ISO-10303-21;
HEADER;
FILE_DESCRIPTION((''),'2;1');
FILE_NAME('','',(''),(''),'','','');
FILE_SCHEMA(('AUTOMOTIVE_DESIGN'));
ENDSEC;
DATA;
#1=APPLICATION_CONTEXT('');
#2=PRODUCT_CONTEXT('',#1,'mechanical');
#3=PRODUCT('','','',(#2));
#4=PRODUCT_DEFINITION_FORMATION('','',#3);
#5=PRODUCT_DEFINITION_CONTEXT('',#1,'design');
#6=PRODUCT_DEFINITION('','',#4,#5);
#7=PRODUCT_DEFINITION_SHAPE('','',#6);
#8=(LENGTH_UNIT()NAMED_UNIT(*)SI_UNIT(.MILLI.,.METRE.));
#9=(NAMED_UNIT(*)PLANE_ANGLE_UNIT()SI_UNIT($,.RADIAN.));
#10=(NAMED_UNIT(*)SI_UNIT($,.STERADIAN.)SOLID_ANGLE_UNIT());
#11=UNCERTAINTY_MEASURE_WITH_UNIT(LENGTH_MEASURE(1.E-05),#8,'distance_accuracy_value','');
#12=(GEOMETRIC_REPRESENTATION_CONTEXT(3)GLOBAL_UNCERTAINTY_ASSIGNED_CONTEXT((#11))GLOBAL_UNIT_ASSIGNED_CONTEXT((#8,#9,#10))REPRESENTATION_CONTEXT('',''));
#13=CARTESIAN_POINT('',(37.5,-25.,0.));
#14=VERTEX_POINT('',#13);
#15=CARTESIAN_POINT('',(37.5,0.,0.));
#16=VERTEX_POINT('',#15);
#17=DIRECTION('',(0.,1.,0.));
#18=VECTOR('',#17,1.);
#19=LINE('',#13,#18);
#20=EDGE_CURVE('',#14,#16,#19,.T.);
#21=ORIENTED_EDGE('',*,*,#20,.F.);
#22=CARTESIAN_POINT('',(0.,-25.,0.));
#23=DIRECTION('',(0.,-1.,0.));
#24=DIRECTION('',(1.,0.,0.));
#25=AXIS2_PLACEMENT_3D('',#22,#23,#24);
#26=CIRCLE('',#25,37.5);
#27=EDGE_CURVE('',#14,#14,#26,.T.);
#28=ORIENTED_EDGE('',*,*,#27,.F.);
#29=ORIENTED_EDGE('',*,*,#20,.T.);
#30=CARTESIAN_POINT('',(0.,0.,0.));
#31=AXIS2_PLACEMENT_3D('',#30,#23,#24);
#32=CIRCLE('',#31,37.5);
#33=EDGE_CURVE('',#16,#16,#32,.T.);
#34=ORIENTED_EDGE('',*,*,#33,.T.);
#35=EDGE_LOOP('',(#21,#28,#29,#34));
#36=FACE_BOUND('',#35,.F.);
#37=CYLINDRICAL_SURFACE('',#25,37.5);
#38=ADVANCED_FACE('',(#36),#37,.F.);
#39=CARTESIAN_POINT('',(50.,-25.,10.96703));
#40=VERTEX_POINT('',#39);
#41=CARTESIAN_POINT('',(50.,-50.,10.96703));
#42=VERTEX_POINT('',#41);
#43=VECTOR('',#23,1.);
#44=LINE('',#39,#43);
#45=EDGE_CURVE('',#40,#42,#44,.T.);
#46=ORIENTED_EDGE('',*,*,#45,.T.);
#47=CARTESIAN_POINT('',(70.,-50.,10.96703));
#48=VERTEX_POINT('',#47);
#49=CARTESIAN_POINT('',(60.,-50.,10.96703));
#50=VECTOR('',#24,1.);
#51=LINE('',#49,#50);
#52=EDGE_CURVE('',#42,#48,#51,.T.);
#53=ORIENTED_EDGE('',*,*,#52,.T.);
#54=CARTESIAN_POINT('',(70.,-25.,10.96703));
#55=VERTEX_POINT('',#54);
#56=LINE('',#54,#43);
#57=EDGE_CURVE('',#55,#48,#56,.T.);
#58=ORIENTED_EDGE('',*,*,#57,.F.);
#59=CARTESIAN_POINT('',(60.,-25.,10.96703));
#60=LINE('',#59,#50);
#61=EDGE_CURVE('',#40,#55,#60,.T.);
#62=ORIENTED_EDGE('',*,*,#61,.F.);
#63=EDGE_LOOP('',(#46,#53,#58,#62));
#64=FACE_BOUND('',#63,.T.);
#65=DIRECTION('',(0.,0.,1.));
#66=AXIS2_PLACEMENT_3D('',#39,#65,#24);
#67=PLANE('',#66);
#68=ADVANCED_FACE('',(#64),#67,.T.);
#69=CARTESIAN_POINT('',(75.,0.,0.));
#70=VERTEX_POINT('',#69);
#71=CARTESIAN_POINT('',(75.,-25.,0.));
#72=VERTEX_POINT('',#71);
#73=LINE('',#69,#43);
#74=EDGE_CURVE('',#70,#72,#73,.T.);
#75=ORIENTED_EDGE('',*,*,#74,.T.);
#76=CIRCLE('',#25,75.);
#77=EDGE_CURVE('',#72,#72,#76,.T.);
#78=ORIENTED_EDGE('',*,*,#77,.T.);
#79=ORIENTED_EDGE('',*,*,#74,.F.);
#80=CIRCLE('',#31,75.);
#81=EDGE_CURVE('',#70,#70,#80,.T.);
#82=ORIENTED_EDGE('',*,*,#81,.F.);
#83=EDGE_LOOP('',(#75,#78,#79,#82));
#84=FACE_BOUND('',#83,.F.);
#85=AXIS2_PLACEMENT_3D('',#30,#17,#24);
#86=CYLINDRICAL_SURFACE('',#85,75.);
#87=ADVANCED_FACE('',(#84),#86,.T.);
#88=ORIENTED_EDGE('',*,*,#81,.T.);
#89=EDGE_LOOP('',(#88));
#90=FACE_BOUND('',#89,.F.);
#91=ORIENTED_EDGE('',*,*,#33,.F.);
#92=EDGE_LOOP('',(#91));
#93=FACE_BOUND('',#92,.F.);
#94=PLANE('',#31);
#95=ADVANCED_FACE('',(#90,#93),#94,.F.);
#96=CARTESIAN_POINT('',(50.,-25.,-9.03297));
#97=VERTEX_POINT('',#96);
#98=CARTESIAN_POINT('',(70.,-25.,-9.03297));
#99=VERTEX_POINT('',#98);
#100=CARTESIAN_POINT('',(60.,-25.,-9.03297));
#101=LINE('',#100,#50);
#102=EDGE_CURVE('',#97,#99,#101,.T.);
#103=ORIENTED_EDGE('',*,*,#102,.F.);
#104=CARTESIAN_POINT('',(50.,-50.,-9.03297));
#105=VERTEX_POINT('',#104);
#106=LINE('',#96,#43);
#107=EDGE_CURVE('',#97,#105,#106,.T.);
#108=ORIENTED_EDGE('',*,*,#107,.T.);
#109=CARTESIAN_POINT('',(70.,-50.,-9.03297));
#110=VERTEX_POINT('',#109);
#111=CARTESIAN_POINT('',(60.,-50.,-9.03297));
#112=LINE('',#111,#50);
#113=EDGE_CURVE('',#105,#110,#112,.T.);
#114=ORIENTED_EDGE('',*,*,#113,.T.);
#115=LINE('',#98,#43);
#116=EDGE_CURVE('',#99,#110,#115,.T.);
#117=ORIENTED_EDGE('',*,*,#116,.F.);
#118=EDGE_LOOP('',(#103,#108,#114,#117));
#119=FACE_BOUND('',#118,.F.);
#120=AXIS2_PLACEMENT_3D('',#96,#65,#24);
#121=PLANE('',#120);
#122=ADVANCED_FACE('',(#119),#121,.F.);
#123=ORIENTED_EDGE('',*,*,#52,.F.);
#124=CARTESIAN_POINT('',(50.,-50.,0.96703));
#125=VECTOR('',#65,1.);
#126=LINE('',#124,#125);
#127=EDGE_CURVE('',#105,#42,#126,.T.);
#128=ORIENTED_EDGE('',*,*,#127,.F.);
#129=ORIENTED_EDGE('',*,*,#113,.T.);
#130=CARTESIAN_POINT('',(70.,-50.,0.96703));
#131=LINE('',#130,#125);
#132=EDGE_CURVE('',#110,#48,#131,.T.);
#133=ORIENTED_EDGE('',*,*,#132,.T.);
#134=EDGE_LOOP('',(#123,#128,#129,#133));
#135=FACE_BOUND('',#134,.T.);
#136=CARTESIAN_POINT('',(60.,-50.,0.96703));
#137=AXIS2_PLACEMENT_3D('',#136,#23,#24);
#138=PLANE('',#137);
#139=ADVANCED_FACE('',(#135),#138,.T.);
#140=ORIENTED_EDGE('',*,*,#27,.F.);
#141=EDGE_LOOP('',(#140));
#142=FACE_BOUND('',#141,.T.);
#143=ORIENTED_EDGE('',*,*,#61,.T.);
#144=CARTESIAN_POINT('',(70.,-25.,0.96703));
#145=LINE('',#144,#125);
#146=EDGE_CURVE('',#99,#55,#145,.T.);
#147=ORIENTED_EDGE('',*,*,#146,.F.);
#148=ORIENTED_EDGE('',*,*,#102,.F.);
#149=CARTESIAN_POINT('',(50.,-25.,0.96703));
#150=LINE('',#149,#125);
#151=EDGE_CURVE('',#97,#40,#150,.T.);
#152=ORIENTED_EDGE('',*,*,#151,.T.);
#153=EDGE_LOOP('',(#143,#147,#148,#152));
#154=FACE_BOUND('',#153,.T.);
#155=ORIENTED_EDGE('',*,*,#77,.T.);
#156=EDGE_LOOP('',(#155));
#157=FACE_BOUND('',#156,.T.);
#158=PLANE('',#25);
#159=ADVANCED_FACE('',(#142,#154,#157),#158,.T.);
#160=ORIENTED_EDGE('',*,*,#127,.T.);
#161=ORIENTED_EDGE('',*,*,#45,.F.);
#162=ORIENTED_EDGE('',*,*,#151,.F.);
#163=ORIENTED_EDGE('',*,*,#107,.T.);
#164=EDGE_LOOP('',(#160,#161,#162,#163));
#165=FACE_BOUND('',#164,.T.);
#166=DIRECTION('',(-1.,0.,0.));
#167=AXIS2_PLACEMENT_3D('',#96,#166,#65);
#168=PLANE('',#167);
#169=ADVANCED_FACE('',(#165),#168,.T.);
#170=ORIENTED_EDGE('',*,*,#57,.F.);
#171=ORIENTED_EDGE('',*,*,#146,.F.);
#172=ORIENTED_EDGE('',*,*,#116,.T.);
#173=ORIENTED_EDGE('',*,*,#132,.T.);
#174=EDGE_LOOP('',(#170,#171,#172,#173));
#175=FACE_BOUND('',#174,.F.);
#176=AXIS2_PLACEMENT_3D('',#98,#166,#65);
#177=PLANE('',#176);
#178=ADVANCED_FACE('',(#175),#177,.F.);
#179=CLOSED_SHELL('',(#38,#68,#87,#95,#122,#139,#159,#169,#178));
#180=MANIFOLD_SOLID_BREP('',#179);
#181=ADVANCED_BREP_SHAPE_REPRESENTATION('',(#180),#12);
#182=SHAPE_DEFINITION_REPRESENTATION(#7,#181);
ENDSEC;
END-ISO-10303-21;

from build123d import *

# Parameters (mm, degrees)
F0_R     = 75
F1_DEPTH = 25
F2_R     = 37.5
F3_DEPTH = 25
F4_W     = 20
F4_H     = 20
F5_DEPTH = 25


with BuildPart() as f1:
    # F0 (on Front) → F1 (new body)
    with BuildSketch(Plane.XZ):
        Circle(F0_R)
    extrude(amount=F1_DEPTH)

    # F2 (on face) → F3 (cut)
    with BuildSketch(Plane.XZ.offset(25)):
        Circle(F2_R)
    extrude(amount=-F3_DEPTH, mode=Mode.SUBTRACT)

    # F4 (on face) → F5 (join)
    with BuildSketch(Plane.XZ.offset(25)):
        with Locations((60, 0.96703)):
            Rectangle(F4_W, F4_H)
    extrude(amount=F5_DEPTH)


solid = f1.part
